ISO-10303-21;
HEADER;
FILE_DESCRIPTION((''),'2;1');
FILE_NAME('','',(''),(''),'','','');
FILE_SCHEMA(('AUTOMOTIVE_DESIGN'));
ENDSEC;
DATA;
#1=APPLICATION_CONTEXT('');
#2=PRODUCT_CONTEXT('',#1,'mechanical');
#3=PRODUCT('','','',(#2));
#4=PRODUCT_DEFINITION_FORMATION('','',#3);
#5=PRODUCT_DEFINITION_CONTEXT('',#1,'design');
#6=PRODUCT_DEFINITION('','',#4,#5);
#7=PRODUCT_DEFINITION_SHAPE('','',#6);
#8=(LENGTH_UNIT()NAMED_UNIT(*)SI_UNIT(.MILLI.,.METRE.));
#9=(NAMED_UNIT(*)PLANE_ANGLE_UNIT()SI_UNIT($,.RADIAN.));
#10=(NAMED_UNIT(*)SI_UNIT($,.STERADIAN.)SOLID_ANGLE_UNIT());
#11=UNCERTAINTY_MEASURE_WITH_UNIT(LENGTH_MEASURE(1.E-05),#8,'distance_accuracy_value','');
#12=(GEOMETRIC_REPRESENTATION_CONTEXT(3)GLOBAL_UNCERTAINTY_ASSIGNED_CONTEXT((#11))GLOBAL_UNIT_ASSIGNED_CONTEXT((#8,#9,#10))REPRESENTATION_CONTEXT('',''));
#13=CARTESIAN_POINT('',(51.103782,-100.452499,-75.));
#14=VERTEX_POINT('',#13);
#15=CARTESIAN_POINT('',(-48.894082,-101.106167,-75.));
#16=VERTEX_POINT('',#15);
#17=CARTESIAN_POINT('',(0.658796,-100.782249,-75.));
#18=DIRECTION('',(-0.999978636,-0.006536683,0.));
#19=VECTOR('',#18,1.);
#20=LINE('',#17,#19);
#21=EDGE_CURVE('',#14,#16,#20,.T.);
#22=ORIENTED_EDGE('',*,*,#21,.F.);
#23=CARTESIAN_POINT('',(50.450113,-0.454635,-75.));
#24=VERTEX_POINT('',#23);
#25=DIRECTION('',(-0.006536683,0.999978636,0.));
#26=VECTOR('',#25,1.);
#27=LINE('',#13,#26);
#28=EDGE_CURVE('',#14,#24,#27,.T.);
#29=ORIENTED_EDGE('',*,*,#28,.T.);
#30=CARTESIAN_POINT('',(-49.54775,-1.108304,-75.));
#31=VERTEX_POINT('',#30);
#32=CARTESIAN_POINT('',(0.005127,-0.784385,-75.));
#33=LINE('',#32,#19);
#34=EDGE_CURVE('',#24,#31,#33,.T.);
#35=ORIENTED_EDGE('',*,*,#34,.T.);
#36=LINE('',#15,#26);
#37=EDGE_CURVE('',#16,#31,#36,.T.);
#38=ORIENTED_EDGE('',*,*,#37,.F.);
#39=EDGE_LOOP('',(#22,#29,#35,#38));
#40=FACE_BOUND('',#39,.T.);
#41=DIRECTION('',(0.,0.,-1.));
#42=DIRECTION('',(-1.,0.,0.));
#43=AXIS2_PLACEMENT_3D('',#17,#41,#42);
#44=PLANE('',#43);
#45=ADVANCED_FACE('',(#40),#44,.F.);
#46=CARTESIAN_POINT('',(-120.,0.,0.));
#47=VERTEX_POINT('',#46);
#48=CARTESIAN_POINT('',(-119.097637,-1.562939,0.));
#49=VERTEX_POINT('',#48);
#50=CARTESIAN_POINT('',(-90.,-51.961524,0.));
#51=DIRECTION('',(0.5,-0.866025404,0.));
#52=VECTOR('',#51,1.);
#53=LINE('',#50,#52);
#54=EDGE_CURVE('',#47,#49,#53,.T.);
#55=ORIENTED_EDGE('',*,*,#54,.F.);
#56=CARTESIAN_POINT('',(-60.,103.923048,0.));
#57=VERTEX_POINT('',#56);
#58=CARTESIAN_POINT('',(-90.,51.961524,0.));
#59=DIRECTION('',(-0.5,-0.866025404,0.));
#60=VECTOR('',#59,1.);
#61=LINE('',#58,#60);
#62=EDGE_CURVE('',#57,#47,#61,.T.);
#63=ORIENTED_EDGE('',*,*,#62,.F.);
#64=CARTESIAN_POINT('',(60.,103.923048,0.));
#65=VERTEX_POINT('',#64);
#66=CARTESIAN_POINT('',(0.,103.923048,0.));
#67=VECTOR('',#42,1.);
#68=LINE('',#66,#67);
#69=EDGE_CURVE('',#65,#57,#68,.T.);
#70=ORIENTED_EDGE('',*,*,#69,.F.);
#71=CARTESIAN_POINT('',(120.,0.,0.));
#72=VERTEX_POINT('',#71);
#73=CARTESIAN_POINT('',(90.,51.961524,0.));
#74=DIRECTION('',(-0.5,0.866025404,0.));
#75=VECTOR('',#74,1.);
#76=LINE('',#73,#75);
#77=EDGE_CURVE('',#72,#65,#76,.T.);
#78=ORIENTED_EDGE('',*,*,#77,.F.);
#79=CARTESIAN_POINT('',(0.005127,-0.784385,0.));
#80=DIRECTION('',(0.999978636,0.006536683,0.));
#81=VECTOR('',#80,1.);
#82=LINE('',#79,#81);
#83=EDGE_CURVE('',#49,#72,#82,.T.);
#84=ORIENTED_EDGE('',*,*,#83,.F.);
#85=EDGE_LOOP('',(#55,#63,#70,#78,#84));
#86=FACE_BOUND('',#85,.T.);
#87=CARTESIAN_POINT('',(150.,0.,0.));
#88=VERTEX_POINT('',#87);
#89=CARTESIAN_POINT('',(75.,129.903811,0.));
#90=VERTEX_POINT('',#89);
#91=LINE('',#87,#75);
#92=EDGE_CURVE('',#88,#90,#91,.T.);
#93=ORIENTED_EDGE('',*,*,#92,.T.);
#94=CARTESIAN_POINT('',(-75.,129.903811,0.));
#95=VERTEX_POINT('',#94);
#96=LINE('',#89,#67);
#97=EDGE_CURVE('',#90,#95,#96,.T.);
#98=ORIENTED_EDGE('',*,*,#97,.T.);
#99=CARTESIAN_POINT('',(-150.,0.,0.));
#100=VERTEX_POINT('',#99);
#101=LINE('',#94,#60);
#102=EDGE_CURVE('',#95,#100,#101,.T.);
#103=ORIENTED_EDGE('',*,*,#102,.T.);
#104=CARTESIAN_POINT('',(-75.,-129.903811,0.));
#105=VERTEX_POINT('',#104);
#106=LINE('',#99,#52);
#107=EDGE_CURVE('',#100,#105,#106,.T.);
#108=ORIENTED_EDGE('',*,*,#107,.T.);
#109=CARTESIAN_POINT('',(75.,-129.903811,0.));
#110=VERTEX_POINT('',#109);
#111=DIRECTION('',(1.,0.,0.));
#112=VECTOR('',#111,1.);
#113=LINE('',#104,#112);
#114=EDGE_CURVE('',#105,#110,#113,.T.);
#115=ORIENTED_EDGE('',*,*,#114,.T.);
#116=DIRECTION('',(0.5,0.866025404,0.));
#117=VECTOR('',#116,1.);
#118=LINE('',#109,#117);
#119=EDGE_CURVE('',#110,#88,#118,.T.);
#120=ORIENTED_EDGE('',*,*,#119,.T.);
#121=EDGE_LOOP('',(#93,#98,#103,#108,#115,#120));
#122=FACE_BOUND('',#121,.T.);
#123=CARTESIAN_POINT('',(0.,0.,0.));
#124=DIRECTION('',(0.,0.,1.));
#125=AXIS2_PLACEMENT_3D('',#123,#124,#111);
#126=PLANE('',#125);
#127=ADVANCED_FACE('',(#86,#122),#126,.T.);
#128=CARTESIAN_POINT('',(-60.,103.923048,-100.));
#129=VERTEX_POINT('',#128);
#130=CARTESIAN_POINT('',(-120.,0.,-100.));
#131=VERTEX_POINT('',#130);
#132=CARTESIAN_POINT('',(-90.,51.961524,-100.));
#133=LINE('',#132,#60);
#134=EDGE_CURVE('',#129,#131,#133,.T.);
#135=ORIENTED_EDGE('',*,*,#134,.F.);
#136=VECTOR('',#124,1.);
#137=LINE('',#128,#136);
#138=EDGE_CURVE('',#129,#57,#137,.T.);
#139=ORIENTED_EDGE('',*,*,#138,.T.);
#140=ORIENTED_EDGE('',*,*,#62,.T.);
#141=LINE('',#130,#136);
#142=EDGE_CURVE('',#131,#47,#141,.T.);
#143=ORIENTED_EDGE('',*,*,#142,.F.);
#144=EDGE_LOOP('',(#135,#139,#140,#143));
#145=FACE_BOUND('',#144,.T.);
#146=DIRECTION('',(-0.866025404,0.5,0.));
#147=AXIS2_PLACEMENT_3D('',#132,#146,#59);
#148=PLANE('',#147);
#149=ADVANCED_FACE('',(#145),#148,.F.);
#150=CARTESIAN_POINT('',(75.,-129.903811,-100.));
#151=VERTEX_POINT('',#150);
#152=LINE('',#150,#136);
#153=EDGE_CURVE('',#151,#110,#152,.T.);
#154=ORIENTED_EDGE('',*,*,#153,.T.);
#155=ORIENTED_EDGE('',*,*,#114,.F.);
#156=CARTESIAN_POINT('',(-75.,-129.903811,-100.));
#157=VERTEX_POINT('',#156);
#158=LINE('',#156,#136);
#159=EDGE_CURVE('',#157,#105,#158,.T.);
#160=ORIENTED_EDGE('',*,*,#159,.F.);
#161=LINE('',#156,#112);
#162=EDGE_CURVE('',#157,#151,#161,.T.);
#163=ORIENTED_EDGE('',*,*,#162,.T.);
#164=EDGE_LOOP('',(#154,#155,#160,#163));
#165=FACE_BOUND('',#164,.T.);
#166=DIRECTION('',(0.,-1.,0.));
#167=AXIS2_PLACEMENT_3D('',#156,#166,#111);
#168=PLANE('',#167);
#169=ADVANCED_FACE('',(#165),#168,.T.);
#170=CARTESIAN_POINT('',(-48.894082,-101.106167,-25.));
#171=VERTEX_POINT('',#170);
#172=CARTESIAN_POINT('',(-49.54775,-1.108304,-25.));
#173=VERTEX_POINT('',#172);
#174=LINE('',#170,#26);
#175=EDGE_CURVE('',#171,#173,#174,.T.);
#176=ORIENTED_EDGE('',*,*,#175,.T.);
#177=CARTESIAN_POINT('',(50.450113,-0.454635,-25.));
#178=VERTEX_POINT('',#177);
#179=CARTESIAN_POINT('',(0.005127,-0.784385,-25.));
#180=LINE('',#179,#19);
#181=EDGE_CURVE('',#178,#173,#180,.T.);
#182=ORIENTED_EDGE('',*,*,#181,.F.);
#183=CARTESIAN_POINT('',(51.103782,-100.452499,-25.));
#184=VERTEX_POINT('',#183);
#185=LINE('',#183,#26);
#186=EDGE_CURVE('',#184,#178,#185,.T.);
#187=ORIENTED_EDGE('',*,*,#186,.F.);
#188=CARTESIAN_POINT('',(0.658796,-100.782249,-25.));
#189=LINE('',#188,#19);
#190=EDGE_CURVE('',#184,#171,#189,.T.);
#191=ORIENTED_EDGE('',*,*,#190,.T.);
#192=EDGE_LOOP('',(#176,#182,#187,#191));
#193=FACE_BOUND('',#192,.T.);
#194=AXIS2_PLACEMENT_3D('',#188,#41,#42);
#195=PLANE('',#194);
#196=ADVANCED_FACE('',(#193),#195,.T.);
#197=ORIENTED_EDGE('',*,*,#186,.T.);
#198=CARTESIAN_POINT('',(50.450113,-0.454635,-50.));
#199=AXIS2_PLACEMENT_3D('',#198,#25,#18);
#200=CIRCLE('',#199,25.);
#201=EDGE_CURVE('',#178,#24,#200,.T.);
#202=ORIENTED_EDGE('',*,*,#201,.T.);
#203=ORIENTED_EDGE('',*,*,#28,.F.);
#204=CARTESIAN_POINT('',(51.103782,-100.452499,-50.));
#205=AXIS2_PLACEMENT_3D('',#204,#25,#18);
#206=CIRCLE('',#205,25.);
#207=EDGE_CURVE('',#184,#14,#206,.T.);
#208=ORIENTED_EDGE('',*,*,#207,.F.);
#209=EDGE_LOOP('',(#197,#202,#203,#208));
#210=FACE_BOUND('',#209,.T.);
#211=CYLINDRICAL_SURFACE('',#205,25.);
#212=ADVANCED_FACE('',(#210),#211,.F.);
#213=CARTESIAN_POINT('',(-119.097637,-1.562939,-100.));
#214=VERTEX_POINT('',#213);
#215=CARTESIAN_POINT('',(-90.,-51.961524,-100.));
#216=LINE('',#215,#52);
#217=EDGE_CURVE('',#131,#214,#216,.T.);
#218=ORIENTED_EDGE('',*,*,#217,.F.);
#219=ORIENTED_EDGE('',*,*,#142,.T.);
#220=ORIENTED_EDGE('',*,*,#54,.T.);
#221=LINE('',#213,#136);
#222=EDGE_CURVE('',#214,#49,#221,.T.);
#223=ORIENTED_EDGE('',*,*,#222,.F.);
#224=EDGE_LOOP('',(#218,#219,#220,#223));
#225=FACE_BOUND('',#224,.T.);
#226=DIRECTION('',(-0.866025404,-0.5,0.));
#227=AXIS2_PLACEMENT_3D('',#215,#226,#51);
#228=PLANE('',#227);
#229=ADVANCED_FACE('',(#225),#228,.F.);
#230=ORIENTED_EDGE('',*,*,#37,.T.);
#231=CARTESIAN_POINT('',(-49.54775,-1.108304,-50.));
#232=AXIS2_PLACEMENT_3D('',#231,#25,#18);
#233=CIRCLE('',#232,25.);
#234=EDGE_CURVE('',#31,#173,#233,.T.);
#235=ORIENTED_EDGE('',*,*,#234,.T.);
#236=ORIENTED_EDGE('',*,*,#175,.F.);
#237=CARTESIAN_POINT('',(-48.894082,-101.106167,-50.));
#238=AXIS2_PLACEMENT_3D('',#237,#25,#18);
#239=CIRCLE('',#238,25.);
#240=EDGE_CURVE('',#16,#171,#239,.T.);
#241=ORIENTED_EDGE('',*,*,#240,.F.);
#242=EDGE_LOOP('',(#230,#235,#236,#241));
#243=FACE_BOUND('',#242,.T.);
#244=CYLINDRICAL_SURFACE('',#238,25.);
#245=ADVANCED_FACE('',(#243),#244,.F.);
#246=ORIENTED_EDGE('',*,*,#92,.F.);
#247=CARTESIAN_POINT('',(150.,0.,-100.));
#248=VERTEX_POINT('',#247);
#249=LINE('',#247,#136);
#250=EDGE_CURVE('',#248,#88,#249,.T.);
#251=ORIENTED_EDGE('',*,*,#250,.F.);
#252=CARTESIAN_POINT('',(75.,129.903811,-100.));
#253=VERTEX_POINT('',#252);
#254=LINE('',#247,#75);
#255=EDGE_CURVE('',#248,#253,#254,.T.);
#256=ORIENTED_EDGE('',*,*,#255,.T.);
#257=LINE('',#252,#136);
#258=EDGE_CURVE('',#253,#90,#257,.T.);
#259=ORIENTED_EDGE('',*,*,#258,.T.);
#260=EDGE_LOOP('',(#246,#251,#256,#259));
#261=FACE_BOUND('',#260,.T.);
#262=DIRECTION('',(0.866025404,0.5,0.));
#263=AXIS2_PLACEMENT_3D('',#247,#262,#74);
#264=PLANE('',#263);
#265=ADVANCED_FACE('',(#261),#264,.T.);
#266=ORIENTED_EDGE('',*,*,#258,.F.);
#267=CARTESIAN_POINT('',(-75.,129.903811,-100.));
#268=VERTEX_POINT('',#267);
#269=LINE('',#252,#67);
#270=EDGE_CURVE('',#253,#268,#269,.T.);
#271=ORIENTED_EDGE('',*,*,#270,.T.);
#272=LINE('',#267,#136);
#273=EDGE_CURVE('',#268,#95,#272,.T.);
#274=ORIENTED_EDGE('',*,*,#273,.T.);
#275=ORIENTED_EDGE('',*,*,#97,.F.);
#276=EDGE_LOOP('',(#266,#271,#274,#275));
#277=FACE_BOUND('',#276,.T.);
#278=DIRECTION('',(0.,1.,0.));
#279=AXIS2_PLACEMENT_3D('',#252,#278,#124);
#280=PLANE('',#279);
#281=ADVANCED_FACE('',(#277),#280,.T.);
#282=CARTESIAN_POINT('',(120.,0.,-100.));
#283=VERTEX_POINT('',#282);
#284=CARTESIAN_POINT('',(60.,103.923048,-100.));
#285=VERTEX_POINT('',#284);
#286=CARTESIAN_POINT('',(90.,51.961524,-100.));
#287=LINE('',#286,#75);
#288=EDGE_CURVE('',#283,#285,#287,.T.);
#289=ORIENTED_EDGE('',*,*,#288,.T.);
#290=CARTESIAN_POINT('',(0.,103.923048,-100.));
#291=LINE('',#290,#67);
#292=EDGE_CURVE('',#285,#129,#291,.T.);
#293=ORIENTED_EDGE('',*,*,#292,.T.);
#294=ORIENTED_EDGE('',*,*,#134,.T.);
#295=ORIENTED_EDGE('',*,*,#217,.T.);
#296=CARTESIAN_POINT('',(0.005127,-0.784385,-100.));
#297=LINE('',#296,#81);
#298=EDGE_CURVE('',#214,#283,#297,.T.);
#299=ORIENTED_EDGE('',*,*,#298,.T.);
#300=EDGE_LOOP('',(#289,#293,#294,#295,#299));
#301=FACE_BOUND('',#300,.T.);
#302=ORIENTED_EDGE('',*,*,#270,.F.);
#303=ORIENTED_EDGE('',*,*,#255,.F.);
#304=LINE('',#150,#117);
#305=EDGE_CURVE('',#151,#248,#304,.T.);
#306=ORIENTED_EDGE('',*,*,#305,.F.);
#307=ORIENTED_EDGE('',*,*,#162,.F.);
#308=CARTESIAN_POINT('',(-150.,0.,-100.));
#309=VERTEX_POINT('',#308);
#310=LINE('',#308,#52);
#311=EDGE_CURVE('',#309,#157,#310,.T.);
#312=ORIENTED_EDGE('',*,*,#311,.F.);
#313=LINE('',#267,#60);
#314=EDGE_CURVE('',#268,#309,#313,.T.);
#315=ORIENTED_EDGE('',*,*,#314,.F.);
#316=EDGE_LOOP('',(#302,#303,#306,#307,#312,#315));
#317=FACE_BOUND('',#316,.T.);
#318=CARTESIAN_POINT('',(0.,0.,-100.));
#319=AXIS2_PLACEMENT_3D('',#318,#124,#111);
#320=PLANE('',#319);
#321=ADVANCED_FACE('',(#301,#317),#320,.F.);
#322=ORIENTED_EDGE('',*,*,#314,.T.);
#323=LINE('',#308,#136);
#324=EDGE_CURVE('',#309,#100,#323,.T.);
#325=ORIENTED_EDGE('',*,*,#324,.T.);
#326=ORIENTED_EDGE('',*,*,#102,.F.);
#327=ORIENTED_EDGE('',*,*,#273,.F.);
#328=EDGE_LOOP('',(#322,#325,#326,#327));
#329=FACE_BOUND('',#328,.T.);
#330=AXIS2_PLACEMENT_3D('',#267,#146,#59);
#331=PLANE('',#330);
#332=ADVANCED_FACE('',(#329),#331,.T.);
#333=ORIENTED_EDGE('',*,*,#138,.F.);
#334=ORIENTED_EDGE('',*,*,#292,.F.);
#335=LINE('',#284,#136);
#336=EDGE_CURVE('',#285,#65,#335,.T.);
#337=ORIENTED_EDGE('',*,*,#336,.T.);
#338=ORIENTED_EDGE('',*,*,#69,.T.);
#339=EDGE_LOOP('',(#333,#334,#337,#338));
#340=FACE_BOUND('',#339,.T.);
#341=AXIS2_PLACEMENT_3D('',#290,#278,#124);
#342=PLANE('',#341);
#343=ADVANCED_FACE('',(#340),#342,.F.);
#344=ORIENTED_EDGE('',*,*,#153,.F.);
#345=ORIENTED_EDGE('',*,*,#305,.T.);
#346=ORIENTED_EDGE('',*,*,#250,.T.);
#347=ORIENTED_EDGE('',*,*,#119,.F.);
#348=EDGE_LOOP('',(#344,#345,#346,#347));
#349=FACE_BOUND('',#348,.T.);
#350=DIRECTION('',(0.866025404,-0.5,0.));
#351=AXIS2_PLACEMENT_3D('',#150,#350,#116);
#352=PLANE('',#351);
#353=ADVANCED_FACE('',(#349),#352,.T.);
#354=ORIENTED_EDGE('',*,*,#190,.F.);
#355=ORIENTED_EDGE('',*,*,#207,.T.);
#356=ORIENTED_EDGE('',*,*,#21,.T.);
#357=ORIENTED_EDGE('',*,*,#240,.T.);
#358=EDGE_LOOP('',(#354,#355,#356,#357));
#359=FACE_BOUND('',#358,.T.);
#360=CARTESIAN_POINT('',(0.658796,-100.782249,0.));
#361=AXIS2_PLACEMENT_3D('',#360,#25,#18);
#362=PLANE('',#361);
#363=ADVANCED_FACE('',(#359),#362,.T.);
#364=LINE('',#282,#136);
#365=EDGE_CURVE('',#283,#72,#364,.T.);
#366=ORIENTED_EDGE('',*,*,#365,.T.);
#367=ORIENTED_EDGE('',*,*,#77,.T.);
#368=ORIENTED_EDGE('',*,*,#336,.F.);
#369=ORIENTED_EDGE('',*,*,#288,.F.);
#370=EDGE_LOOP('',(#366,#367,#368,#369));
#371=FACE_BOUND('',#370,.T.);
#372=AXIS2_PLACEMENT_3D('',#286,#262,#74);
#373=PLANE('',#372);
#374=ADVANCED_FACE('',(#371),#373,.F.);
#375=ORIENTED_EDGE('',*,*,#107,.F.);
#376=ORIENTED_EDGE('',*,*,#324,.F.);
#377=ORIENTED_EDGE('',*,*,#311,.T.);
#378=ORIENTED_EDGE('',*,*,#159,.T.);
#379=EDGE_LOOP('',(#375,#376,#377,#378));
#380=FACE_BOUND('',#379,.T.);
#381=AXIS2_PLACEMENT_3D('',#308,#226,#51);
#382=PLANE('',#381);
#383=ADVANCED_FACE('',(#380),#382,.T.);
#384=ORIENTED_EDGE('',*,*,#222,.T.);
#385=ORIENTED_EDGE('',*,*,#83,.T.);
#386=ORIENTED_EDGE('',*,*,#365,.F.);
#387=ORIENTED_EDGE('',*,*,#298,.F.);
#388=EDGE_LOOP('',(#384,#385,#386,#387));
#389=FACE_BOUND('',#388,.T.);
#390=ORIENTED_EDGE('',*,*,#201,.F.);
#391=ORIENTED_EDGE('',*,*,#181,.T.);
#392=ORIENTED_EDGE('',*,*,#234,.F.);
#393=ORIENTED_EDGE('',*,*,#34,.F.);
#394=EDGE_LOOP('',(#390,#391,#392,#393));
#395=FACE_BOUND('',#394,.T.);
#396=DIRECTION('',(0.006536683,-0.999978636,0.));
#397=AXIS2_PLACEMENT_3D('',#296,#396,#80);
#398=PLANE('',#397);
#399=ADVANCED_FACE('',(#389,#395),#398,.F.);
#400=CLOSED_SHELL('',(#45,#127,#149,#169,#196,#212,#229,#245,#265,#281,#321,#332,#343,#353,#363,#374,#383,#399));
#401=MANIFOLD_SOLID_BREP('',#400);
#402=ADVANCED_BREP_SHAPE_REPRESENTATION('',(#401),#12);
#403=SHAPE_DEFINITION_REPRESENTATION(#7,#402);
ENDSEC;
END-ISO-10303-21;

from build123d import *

# Parameters (mm, degrees)
BOSS_EXTRUDE1_DEPTH = 100
CUT_EXTRUDE1_DEPTH  = 100
CUT_EXTRUDE2_DEPTH  = 100


with BuildPart() as part:
    # Sketch1 → Boss-Extrude1 (new body)
    with BuildSketch(Plane.XY):
        Polygon((150, 0), (75, 129.903810568), (-75, 129.903810568), (-150, 0), (-75, -129.903810568), (75, -129.903810568), align=None)
    extrude(amount=-BOSS_EXTRUDE1_DEPTH)

    # Sketch2 → Cut-Extrude1 (cut)
    with BuildSketch(Plane.XY):
        Polygon((-120, 0), (-119.097636783, -1.562938939), (120, 0), (60, 103.923048454), (-60, 103.923048454), align=None)
    extrude(amount=-CUT_EXTRUDE1_DEPTH, mode=Mode.SUBTRACT)

    # Sketch3 → Cut-Extrude2 (cut)
    with BuildSketch(Plane(origin=(0.005127388, -0.784385247, 0), x_dir=(0.9999786356570095, 0.006536683375074496, 0), z_dir=(-0.006536683375074496, 0.9999786356570095, 0))):
        with BuildLine():
            Line((0.446063751, 75), (-49.553936249, 75))
            ThreePointArc((-49.553936249, 75), (-74.553936249, 50), (-49.553936249, 25))
            Line((-49.553936249, 25), (0.446063751, 25))
            ThreePointArc((0.446063751, 25), (-24.553936249, 50), (0.446063751, 75))
        make_face()
        with BuildLine():
            Line((0.446063751, 25), (0.446063751, 75))
            ThreePointArc((0.446063751, 75), (-24.553936249, 50), (0.446063751, 25))
        make_face()
        with BuildLine():
            ThreePointArc((0.446063751, 25), (25.446063751, 50), (0.446063751, 75))
            Line((0.446063751, 75), (0.446063751, 25))
        make_face()
        with BuildLine():
            ThreePointArc((0.446063751, 25), (25.446063751, 50), (0.446063751, 75))
            Line((0.446063751, 75), (50.446063751, 75))
            ThreePointArc((50.446063751, 75), (75.446063751, 50), (50.446063751, 25))
            Line((50.446063751, 25), (0.446063751, 25))
        make_face()
    extrude(amount=-CUT_EXTRUDE2_DEPTH, mode=Mode.SUBTRACT)


solid = part.part
